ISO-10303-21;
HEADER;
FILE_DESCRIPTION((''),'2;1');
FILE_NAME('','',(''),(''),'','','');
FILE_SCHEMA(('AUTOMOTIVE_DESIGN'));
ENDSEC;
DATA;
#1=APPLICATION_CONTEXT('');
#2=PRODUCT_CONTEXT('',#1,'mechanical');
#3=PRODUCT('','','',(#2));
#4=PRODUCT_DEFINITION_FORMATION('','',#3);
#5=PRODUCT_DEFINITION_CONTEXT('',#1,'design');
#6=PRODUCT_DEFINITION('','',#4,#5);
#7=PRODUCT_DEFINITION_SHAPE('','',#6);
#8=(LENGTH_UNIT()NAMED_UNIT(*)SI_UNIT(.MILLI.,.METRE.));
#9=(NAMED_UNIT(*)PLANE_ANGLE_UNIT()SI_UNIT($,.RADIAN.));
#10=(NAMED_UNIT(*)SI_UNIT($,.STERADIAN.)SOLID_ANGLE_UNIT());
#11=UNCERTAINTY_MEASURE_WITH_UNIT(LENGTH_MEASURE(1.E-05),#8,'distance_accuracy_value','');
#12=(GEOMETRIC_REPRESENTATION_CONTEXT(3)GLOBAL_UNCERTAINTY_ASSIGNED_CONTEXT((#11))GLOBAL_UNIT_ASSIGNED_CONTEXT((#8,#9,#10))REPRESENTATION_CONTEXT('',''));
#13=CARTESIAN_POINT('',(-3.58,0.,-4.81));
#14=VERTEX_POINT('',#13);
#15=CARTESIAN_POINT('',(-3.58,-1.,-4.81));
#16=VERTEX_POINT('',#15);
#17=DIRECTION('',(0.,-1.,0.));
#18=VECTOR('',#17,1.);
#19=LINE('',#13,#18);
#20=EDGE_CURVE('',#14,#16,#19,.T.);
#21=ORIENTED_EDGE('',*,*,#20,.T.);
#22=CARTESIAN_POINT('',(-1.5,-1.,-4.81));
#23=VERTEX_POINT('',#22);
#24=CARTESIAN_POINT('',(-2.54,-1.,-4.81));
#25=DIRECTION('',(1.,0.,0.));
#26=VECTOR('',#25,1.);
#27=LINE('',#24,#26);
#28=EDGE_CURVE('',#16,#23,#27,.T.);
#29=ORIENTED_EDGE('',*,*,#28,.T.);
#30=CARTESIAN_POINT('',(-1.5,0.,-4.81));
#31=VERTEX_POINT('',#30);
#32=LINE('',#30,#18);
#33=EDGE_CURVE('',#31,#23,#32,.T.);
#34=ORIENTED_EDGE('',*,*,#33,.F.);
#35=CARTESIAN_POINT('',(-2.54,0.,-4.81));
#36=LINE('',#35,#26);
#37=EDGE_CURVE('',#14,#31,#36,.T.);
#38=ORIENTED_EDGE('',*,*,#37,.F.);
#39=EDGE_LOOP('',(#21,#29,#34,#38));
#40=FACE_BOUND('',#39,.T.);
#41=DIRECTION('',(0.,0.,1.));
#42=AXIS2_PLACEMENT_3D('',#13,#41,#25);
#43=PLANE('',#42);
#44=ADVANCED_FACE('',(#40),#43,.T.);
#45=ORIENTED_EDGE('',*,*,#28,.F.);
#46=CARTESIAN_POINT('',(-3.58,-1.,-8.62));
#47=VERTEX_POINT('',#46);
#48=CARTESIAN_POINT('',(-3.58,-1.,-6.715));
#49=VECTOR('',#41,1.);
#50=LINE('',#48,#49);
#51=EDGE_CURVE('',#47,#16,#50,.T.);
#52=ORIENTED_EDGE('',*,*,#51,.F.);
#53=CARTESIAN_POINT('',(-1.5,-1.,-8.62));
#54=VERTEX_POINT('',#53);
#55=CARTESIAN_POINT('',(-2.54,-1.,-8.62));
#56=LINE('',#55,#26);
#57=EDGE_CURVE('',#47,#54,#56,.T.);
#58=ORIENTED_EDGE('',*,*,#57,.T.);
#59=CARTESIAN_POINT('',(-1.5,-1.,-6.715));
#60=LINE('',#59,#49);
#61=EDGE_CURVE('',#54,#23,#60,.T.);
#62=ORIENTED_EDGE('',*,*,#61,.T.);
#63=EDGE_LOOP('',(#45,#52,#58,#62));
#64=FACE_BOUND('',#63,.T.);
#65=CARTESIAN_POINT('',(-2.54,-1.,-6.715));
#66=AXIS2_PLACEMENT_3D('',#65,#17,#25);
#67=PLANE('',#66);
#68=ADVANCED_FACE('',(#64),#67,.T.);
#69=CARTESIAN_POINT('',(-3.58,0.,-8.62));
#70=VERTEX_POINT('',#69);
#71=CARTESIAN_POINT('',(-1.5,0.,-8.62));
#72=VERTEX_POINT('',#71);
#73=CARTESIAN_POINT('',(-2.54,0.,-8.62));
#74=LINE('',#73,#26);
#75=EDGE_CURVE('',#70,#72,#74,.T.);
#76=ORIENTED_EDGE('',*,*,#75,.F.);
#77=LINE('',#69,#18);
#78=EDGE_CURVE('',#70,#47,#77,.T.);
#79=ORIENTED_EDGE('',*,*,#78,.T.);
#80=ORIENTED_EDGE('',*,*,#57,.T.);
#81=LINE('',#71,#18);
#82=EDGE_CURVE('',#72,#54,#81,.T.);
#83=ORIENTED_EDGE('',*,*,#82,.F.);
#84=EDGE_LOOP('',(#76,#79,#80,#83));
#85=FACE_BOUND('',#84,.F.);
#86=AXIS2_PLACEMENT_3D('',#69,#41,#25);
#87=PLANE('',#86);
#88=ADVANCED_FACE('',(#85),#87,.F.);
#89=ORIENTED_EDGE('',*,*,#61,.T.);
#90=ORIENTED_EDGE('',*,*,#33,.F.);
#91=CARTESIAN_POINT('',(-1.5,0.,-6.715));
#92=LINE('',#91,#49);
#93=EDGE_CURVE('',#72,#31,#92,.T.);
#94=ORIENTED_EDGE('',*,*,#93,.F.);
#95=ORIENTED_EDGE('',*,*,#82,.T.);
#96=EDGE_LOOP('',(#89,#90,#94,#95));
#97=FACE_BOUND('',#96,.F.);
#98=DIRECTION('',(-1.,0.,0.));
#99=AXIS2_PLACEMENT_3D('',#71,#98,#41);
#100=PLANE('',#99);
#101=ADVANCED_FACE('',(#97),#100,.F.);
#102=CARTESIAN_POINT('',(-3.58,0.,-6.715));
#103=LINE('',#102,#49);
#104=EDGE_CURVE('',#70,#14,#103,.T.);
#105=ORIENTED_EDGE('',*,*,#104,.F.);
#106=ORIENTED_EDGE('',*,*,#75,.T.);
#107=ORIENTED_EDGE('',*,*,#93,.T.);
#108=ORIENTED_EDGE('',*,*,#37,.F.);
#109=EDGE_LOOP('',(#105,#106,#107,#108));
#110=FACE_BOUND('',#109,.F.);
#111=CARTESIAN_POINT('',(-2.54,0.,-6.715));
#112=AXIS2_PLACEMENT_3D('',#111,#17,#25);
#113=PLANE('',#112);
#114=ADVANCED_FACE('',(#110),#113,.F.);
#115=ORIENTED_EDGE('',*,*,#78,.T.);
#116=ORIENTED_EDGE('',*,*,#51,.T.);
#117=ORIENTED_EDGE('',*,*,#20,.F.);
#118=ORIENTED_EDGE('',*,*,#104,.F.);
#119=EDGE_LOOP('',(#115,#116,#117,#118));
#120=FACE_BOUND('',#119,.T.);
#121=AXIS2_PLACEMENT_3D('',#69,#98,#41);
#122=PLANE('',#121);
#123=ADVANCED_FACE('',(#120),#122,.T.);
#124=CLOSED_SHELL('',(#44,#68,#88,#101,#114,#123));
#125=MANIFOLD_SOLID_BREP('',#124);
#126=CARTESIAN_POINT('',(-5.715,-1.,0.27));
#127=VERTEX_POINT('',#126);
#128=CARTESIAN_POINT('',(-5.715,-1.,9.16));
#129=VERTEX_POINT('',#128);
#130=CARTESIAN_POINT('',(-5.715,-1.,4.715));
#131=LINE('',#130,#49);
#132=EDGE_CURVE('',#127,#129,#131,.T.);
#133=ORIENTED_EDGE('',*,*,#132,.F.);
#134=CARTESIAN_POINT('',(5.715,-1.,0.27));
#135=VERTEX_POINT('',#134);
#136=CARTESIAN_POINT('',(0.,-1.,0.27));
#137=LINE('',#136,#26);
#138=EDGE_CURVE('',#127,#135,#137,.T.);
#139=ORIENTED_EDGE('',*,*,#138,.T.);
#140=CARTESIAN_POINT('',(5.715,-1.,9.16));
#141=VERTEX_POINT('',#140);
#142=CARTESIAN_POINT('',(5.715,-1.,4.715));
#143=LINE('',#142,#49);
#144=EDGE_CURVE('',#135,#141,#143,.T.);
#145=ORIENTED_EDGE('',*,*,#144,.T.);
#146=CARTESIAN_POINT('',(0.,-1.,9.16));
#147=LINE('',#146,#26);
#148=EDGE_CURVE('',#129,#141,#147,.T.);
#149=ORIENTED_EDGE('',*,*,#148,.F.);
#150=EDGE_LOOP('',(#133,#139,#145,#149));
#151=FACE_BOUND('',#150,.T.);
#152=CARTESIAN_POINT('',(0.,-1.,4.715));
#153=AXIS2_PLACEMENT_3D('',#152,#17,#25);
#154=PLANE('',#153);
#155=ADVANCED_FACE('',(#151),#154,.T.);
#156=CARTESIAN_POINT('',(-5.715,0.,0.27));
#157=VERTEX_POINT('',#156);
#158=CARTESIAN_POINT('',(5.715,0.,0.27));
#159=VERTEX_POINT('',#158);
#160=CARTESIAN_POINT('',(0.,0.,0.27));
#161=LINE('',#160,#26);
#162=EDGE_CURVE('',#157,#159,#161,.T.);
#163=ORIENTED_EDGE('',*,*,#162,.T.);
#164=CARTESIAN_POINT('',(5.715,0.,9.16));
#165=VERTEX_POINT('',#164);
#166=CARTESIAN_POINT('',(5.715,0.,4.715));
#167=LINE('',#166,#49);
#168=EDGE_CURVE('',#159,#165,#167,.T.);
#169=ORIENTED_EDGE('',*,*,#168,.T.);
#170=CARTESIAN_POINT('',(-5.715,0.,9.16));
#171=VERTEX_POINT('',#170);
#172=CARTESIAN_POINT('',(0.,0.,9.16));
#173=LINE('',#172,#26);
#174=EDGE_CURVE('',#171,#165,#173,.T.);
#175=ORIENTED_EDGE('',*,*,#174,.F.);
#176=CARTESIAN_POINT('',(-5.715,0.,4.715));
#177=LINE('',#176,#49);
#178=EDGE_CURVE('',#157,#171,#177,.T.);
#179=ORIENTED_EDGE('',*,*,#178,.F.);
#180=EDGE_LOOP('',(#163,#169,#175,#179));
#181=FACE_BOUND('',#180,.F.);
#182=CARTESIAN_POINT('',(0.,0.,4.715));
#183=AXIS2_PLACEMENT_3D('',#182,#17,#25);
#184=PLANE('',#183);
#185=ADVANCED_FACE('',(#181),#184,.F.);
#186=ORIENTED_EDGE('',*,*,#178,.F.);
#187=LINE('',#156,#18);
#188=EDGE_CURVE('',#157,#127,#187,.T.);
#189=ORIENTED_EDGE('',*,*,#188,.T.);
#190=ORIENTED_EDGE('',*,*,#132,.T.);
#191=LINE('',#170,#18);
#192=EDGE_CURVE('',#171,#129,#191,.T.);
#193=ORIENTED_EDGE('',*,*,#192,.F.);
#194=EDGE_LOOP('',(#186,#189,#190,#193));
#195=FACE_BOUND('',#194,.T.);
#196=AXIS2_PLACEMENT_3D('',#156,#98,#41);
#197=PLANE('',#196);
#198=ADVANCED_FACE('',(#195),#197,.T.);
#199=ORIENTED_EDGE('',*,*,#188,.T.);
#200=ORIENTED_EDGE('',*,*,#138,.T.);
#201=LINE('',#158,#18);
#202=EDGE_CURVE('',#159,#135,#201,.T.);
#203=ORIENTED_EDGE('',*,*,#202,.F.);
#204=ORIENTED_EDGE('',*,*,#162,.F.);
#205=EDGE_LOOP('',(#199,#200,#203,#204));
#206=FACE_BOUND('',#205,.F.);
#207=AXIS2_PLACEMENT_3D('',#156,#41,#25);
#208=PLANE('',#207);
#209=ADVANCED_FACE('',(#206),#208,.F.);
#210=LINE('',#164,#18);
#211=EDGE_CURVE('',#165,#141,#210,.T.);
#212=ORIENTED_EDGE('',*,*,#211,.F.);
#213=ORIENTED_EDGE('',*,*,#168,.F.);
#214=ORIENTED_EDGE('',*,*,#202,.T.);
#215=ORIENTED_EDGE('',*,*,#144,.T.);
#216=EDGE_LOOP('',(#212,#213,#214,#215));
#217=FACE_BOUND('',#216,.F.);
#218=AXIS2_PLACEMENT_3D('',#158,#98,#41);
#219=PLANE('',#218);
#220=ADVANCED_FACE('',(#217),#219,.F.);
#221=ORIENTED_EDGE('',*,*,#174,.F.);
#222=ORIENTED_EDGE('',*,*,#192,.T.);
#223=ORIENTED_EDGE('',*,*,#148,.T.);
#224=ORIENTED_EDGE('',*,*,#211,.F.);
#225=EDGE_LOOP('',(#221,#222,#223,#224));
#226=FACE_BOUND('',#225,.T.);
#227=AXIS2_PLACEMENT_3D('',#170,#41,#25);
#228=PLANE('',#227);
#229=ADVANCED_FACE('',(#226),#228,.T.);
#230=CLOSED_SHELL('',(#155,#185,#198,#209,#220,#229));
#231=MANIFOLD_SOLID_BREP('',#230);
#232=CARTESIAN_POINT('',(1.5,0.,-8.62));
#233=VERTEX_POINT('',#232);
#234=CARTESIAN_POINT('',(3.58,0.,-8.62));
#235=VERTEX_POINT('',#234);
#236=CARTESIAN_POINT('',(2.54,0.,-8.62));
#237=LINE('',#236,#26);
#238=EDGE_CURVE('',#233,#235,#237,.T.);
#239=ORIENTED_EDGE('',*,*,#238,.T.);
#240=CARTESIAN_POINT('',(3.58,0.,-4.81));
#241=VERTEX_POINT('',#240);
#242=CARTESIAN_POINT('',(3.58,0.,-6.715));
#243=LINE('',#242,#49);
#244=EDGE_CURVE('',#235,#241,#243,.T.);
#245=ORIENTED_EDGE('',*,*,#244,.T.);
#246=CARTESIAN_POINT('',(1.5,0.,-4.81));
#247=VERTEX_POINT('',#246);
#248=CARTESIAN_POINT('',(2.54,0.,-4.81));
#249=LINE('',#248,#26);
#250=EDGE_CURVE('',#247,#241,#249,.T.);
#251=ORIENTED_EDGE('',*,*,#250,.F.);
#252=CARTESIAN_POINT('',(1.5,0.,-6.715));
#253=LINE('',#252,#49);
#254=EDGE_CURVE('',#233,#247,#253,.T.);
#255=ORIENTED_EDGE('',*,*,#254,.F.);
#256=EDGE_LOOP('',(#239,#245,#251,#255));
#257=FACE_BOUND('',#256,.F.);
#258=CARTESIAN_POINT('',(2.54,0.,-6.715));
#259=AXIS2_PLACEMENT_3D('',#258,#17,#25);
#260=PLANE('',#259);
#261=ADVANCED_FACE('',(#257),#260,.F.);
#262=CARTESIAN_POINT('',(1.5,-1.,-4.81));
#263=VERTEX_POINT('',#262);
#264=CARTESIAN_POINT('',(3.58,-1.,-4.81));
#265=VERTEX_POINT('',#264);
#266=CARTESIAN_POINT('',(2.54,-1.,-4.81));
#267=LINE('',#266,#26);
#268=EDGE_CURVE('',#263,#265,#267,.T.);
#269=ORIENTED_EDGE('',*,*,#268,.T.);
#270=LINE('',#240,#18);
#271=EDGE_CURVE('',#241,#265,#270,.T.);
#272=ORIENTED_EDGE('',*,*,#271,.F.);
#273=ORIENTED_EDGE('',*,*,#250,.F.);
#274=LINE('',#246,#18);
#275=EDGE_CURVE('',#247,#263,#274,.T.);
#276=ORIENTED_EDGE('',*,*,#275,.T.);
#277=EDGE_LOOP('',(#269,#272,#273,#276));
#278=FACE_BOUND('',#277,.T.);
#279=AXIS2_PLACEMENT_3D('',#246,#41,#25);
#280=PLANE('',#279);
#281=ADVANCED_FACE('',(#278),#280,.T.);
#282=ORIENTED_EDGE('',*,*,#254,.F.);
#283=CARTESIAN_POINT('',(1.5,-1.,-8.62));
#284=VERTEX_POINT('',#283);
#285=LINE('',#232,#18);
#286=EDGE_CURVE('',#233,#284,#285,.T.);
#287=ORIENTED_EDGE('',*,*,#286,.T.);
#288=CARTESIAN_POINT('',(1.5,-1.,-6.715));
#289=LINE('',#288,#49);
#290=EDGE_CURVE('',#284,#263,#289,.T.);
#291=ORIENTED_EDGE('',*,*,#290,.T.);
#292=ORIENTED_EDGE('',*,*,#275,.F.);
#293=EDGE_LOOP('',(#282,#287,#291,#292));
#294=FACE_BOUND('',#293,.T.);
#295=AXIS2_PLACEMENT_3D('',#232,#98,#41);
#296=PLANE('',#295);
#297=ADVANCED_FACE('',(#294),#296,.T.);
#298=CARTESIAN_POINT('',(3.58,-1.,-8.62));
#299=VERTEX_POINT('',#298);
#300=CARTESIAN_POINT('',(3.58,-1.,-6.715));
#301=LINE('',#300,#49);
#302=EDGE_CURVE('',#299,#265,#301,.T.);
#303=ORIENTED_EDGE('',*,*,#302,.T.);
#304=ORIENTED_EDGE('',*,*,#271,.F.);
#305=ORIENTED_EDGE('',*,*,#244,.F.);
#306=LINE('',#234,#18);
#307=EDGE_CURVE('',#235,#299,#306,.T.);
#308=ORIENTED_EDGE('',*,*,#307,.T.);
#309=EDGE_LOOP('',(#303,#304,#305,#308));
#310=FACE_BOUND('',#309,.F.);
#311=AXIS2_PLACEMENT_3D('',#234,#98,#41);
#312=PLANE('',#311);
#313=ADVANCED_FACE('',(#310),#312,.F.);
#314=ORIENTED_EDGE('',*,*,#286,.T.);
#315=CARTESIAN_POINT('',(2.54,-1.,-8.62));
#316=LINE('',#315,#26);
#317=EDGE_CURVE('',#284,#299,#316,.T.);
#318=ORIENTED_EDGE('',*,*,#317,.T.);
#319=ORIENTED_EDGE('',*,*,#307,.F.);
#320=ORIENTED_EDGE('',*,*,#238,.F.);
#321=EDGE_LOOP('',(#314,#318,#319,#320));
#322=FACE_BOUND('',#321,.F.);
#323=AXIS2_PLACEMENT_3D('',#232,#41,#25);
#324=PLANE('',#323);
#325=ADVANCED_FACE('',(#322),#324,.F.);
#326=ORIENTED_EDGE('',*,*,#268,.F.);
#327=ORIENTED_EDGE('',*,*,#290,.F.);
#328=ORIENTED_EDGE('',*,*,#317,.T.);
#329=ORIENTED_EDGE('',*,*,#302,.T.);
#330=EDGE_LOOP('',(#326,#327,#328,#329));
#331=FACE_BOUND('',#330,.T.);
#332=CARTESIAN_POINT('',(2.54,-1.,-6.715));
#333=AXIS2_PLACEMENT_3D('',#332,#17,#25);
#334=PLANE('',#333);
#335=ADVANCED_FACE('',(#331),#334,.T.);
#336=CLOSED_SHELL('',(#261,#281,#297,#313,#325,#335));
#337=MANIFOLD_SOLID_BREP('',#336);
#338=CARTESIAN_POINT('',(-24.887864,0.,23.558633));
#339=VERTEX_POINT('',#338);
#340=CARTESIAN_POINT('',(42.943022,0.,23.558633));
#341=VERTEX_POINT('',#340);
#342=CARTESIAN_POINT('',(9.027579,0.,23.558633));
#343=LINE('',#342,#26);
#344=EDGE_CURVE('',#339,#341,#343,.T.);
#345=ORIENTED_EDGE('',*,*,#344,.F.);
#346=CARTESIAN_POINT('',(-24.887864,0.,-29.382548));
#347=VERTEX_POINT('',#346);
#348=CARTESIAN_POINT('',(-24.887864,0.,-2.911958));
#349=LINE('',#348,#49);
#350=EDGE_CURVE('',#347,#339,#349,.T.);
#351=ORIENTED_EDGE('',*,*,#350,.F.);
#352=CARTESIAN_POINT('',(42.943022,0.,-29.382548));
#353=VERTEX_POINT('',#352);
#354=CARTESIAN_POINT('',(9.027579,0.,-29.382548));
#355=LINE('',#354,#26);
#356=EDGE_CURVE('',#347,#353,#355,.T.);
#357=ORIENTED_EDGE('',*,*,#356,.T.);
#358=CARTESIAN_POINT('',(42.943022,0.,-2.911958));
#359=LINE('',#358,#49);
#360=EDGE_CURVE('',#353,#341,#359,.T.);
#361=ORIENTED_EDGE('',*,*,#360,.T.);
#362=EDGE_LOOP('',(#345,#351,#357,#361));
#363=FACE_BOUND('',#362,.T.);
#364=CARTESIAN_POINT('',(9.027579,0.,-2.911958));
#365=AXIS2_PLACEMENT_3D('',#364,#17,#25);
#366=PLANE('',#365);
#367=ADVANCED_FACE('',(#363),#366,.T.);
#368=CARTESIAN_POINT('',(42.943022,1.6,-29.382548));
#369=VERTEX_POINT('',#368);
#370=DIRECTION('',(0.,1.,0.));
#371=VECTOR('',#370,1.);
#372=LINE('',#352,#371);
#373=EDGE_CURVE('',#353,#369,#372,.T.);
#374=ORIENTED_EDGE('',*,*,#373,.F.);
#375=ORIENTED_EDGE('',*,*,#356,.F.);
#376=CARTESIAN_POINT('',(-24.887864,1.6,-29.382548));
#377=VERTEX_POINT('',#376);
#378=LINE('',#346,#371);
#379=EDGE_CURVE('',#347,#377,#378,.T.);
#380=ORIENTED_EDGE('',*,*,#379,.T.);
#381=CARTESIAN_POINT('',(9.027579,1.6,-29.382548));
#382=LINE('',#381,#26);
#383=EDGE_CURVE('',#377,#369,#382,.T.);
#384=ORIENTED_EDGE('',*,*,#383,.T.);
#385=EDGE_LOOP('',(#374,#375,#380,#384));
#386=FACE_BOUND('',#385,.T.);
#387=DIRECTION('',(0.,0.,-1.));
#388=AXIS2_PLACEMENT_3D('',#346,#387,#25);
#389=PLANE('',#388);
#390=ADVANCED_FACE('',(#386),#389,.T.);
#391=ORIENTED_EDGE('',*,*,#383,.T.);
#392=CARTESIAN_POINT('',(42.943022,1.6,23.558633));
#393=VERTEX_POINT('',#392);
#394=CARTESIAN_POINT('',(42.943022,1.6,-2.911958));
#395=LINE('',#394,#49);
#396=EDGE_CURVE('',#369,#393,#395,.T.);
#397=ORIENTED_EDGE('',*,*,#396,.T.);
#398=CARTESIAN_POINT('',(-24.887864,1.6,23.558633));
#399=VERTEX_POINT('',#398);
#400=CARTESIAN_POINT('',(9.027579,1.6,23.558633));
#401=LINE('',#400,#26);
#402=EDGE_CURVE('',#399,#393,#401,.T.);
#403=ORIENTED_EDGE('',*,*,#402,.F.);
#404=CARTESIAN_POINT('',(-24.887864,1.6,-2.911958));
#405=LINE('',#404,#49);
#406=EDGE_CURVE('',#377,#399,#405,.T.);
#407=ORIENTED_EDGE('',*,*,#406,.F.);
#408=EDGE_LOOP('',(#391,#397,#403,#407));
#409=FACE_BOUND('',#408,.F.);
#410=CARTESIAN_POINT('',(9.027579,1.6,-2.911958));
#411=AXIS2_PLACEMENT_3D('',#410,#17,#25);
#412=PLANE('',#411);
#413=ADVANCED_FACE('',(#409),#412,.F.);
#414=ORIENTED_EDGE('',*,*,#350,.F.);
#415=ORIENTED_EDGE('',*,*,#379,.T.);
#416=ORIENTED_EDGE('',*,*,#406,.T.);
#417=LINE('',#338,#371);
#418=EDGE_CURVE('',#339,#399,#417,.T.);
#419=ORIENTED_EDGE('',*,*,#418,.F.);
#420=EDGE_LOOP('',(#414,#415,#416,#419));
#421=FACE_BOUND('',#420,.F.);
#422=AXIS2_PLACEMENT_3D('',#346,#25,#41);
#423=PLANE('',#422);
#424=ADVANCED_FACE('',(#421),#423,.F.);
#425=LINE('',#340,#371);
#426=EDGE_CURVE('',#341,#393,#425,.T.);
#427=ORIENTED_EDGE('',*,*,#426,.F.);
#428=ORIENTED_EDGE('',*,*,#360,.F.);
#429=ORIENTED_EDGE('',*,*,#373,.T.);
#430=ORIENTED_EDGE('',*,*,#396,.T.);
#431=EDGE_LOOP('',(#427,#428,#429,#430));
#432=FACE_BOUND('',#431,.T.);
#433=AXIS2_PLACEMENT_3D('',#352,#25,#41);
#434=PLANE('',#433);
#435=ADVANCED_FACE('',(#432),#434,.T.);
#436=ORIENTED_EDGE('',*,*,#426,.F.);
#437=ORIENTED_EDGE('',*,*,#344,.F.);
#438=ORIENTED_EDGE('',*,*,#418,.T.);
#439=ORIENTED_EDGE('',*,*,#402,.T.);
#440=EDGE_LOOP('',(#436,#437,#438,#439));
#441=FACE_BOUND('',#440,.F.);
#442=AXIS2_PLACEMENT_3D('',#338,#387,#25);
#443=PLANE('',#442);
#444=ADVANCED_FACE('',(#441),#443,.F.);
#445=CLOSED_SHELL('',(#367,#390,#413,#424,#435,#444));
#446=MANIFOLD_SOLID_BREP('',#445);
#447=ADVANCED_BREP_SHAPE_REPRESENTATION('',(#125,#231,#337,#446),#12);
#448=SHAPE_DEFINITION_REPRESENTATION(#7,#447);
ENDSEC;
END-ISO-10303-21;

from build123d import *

# Parameters (mm, degrees)
F0_W     = 67.830887
F0_H     = 52.941181
F1_DEPTH = 1.6
F2_W     = 2.08
F2_H     = 3.81
F2_W_2   = 11.43
F2_H_2   = 8.89
F3_DEPTH = 1


with BuildPart() as f1:
    # F0 (on Front) → F1 (new body)
    with BuildSketch(Plane.XZ):
        with Locations((9.027579, -2.911958)):
            Rectangle(F0_W, F0_H)
    extrude(amount=-F1_DEPTH)


with BuildPart() as f3:
    # F2 (on Front) → F3 (new body)
    with BuildSketch(Plane.XZ):
        with Locations((-2.54, -6.715)):
            Rectangle(F2_W, F2_H)
        with Locations((0, 4.715)):
            Rectangle(F2_W_2, F2_H_2)
        with Locations((2.54, -6.715)):
            Rectangle(F2_W, F2_H)
    extrude(amount=F3_DEPTH)


solid = Compound([f1.part, f3.part])
